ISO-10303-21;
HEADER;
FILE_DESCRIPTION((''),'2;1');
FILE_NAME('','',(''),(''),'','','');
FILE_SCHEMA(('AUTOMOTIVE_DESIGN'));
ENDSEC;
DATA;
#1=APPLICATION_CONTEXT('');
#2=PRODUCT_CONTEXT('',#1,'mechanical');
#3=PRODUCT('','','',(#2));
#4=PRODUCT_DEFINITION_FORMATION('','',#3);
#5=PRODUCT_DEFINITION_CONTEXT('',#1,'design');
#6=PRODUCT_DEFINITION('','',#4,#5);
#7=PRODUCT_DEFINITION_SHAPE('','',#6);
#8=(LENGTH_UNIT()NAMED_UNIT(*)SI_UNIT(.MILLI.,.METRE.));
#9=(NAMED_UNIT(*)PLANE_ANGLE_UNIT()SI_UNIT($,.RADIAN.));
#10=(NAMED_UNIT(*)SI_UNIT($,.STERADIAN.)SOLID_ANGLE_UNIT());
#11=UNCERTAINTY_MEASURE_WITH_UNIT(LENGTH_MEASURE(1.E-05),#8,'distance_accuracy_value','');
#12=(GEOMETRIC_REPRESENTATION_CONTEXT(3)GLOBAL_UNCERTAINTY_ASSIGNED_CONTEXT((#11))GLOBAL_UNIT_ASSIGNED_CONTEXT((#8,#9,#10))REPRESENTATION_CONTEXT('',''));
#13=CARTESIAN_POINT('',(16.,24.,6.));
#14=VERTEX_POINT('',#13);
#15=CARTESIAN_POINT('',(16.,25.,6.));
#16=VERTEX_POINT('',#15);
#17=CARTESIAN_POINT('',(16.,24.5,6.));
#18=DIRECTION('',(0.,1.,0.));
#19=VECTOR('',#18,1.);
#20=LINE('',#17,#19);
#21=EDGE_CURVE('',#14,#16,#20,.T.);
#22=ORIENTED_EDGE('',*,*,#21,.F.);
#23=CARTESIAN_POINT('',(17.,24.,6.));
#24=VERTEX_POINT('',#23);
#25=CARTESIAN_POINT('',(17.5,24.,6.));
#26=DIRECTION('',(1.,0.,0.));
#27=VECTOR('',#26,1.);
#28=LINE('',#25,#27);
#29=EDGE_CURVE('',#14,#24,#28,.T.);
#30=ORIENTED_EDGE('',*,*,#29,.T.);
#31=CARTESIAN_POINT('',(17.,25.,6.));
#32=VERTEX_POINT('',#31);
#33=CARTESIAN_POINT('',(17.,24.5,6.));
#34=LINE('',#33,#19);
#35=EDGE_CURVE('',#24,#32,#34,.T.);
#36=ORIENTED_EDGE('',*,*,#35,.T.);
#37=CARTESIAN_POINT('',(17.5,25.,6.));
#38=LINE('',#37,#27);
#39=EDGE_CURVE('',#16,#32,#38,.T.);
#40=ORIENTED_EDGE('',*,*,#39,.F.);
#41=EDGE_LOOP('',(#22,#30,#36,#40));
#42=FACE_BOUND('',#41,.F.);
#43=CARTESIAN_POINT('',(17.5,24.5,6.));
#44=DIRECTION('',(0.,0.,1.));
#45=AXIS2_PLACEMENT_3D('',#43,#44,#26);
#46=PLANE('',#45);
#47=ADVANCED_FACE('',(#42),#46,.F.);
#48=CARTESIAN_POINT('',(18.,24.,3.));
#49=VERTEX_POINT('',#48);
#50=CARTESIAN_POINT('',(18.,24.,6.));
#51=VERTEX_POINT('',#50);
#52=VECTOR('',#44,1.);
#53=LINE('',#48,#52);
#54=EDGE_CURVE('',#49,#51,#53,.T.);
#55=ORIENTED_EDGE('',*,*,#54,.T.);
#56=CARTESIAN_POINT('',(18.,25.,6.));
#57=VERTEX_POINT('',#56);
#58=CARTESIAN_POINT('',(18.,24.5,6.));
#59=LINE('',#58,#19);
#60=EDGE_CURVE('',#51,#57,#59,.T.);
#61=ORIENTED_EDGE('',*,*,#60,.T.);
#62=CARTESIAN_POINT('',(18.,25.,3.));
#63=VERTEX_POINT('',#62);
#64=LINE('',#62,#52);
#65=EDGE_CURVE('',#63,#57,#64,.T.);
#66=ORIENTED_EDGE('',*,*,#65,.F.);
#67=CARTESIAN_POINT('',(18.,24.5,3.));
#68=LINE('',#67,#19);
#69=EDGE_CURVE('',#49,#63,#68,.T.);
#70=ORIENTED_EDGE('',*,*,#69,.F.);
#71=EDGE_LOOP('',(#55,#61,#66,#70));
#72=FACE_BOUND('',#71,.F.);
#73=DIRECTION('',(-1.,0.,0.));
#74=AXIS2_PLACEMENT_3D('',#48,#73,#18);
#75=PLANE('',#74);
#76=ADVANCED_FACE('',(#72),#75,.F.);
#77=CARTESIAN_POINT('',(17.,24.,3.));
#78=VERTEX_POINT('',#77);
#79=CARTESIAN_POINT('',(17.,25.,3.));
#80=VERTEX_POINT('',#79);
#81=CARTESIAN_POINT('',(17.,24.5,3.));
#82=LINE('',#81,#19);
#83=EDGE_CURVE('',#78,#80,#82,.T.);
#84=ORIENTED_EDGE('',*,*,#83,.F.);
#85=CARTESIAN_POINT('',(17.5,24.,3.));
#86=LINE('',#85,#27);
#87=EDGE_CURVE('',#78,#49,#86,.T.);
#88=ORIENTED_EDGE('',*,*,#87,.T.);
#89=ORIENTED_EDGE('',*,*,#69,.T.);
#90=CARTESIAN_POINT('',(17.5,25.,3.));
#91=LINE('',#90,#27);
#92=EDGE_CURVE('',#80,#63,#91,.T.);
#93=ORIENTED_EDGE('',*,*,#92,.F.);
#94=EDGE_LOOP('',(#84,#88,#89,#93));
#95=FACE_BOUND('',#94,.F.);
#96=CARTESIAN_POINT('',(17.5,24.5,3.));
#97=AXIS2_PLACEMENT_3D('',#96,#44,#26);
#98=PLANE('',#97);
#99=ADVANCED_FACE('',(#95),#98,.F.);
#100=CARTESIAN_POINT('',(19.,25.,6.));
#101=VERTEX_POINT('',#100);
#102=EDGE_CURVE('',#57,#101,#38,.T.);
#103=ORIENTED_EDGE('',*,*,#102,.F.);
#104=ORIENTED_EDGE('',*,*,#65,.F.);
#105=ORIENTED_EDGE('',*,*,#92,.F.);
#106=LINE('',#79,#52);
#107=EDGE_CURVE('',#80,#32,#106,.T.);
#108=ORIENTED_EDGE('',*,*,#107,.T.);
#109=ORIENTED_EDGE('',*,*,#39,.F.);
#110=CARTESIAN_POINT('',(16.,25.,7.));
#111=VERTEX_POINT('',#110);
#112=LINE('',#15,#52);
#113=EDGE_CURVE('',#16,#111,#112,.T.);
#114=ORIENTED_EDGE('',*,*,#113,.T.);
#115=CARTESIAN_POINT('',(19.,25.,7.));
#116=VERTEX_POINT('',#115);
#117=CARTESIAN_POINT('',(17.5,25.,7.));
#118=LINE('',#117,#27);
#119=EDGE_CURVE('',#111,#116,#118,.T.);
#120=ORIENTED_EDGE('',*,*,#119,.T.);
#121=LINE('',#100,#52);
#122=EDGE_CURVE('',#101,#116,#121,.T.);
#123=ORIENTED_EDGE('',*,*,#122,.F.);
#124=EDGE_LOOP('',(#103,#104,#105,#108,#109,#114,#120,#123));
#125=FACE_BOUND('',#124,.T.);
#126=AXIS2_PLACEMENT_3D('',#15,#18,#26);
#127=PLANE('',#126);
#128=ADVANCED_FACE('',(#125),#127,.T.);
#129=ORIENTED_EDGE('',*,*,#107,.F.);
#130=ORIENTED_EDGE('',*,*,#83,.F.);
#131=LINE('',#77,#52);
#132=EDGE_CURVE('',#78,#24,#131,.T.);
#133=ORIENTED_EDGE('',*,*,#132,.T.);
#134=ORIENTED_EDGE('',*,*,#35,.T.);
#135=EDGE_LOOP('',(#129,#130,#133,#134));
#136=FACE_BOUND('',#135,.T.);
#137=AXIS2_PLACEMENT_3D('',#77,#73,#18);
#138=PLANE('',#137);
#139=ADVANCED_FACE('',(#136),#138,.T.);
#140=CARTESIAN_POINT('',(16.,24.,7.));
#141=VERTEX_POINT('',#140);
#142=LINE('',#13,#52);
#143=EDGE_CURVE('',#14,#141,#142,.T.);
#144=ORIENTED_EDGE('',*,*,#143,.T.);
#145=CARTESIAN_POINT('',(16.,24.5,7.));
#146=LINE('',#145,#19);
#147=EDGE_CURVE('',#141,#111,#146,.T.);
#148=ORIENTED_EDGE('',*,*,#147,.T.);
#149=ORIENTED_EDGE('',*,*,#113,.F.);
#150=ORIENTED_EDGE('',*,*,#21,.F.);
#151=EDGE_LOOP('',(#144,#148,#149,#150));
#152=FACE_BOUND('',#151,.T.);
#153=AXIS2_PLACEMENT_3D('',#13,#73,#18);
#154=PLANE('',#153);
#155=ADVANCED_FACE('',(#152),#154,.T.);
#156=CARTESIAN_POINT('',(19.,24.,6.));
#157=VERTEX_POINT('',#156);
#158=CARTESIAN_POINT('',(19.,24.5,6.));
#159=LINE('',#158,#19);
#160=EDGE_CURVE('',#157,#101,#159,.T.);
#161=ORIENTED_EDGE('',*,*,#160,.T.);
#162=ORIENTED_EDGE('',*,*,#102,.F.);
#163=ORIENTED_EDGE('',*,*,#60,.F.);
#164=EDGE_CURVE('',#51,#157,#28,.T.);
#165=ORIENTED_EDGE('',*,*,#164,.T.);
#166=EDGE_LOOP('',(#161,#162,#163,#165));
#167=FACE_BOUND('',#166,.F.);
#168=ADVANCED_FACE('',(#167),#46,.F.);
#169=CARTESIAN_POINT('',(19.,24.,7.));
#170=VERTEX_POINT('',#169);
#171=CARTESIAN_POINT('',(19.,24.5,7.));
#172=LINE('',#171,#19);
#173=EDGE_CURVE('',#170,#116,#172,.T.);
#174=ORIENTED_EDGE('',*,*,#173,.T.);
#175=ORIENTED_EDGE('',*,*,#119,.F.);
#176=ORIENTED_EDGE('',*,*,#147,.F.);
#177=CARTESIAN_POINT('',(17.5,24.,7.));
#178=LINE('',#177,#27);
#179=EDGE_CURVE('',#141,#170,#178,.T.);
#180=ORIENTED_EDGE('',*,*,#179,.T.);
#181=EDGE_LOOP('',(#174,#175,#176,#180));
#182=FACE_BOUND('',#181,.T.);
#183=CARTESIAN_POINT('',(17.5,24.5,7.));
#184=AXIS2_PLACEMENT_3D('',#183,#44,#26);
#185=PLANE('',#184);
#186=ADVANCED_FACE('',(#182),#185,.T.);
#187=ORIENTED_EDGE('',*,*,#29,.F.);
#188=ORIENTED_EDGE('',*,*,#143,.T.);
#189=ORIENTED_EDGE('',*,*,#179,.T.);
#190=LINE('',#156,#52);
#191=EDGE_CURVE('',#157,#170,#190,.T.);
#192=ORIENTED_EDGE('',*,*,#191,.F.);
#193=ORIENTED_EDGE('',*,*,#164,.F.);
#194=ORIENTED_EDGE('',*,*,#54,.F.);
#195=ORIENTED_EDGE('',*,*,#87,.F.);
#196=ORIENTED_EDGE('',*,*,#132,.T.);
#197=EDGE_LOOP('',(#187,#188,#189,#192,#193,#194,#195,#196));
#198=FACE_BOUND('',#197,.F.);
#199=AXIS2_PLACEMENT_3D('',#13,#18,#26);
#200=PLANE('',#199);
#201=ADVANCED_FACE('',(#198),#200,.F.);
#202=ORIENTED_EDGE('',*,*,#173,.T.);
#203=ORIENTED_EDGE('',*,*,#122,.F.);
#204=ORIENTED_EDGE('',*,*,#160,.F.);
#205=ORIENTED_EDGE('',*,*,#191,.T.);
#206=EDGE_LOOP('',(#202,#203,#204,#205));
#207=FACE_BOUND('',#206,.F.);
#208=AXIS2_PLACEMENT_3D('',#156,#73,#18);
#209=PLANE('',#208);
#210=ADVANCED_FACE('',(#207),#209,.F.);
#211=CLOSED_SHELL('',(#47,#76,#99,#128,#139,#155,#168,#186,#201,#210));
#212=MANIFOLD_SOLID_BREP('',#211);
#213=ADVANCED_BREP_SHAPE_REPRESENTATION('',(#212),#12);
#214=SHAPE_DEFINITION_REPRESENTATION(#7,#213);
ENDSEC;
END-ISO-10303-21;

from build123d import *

# Parameters (mm, degrees)
BOX097_W     = 3
BOX097_H     = 1
BOX097_DEPTH = 1
BOX098_W     = 1
BOX098_H     = 1
BOX098_DEPTH = 3


with BuildPart() as box097:
    # Box097 → Box097 (new body)
    with BuildSketch(Plane(origin=(20, 0, 6), x_dir=(1, 0, 0), z_dir=(0, 0, 1))):
        with Locations((1.5, 0.5)):
            Rectangle(BOX097_W, BOX097_H)
    extrude(amount=BOX097_DEPTH)


with BuildPart() as fusion038:
    # Box098 → Box098 (new body)
    with BuildSketch(Plane(origin=(21, 0, 3), x_dir=(1, 0, 0), z_dir=(0, 0, 1))):
        with Locations((0.5, 0.5)):
            Rectangle(BOX098_W, BOX098_H)
    extrude(amount=BOX098_DEPTH)

    # Fusion038: union Box097
    add(box097.part)


with BuildPart() as fusion038_1:
    # Fusion038 placement: moved
    add(fusion038.part.moved(Location((-4, 24, 0))))


solid = fusion038_1.part
